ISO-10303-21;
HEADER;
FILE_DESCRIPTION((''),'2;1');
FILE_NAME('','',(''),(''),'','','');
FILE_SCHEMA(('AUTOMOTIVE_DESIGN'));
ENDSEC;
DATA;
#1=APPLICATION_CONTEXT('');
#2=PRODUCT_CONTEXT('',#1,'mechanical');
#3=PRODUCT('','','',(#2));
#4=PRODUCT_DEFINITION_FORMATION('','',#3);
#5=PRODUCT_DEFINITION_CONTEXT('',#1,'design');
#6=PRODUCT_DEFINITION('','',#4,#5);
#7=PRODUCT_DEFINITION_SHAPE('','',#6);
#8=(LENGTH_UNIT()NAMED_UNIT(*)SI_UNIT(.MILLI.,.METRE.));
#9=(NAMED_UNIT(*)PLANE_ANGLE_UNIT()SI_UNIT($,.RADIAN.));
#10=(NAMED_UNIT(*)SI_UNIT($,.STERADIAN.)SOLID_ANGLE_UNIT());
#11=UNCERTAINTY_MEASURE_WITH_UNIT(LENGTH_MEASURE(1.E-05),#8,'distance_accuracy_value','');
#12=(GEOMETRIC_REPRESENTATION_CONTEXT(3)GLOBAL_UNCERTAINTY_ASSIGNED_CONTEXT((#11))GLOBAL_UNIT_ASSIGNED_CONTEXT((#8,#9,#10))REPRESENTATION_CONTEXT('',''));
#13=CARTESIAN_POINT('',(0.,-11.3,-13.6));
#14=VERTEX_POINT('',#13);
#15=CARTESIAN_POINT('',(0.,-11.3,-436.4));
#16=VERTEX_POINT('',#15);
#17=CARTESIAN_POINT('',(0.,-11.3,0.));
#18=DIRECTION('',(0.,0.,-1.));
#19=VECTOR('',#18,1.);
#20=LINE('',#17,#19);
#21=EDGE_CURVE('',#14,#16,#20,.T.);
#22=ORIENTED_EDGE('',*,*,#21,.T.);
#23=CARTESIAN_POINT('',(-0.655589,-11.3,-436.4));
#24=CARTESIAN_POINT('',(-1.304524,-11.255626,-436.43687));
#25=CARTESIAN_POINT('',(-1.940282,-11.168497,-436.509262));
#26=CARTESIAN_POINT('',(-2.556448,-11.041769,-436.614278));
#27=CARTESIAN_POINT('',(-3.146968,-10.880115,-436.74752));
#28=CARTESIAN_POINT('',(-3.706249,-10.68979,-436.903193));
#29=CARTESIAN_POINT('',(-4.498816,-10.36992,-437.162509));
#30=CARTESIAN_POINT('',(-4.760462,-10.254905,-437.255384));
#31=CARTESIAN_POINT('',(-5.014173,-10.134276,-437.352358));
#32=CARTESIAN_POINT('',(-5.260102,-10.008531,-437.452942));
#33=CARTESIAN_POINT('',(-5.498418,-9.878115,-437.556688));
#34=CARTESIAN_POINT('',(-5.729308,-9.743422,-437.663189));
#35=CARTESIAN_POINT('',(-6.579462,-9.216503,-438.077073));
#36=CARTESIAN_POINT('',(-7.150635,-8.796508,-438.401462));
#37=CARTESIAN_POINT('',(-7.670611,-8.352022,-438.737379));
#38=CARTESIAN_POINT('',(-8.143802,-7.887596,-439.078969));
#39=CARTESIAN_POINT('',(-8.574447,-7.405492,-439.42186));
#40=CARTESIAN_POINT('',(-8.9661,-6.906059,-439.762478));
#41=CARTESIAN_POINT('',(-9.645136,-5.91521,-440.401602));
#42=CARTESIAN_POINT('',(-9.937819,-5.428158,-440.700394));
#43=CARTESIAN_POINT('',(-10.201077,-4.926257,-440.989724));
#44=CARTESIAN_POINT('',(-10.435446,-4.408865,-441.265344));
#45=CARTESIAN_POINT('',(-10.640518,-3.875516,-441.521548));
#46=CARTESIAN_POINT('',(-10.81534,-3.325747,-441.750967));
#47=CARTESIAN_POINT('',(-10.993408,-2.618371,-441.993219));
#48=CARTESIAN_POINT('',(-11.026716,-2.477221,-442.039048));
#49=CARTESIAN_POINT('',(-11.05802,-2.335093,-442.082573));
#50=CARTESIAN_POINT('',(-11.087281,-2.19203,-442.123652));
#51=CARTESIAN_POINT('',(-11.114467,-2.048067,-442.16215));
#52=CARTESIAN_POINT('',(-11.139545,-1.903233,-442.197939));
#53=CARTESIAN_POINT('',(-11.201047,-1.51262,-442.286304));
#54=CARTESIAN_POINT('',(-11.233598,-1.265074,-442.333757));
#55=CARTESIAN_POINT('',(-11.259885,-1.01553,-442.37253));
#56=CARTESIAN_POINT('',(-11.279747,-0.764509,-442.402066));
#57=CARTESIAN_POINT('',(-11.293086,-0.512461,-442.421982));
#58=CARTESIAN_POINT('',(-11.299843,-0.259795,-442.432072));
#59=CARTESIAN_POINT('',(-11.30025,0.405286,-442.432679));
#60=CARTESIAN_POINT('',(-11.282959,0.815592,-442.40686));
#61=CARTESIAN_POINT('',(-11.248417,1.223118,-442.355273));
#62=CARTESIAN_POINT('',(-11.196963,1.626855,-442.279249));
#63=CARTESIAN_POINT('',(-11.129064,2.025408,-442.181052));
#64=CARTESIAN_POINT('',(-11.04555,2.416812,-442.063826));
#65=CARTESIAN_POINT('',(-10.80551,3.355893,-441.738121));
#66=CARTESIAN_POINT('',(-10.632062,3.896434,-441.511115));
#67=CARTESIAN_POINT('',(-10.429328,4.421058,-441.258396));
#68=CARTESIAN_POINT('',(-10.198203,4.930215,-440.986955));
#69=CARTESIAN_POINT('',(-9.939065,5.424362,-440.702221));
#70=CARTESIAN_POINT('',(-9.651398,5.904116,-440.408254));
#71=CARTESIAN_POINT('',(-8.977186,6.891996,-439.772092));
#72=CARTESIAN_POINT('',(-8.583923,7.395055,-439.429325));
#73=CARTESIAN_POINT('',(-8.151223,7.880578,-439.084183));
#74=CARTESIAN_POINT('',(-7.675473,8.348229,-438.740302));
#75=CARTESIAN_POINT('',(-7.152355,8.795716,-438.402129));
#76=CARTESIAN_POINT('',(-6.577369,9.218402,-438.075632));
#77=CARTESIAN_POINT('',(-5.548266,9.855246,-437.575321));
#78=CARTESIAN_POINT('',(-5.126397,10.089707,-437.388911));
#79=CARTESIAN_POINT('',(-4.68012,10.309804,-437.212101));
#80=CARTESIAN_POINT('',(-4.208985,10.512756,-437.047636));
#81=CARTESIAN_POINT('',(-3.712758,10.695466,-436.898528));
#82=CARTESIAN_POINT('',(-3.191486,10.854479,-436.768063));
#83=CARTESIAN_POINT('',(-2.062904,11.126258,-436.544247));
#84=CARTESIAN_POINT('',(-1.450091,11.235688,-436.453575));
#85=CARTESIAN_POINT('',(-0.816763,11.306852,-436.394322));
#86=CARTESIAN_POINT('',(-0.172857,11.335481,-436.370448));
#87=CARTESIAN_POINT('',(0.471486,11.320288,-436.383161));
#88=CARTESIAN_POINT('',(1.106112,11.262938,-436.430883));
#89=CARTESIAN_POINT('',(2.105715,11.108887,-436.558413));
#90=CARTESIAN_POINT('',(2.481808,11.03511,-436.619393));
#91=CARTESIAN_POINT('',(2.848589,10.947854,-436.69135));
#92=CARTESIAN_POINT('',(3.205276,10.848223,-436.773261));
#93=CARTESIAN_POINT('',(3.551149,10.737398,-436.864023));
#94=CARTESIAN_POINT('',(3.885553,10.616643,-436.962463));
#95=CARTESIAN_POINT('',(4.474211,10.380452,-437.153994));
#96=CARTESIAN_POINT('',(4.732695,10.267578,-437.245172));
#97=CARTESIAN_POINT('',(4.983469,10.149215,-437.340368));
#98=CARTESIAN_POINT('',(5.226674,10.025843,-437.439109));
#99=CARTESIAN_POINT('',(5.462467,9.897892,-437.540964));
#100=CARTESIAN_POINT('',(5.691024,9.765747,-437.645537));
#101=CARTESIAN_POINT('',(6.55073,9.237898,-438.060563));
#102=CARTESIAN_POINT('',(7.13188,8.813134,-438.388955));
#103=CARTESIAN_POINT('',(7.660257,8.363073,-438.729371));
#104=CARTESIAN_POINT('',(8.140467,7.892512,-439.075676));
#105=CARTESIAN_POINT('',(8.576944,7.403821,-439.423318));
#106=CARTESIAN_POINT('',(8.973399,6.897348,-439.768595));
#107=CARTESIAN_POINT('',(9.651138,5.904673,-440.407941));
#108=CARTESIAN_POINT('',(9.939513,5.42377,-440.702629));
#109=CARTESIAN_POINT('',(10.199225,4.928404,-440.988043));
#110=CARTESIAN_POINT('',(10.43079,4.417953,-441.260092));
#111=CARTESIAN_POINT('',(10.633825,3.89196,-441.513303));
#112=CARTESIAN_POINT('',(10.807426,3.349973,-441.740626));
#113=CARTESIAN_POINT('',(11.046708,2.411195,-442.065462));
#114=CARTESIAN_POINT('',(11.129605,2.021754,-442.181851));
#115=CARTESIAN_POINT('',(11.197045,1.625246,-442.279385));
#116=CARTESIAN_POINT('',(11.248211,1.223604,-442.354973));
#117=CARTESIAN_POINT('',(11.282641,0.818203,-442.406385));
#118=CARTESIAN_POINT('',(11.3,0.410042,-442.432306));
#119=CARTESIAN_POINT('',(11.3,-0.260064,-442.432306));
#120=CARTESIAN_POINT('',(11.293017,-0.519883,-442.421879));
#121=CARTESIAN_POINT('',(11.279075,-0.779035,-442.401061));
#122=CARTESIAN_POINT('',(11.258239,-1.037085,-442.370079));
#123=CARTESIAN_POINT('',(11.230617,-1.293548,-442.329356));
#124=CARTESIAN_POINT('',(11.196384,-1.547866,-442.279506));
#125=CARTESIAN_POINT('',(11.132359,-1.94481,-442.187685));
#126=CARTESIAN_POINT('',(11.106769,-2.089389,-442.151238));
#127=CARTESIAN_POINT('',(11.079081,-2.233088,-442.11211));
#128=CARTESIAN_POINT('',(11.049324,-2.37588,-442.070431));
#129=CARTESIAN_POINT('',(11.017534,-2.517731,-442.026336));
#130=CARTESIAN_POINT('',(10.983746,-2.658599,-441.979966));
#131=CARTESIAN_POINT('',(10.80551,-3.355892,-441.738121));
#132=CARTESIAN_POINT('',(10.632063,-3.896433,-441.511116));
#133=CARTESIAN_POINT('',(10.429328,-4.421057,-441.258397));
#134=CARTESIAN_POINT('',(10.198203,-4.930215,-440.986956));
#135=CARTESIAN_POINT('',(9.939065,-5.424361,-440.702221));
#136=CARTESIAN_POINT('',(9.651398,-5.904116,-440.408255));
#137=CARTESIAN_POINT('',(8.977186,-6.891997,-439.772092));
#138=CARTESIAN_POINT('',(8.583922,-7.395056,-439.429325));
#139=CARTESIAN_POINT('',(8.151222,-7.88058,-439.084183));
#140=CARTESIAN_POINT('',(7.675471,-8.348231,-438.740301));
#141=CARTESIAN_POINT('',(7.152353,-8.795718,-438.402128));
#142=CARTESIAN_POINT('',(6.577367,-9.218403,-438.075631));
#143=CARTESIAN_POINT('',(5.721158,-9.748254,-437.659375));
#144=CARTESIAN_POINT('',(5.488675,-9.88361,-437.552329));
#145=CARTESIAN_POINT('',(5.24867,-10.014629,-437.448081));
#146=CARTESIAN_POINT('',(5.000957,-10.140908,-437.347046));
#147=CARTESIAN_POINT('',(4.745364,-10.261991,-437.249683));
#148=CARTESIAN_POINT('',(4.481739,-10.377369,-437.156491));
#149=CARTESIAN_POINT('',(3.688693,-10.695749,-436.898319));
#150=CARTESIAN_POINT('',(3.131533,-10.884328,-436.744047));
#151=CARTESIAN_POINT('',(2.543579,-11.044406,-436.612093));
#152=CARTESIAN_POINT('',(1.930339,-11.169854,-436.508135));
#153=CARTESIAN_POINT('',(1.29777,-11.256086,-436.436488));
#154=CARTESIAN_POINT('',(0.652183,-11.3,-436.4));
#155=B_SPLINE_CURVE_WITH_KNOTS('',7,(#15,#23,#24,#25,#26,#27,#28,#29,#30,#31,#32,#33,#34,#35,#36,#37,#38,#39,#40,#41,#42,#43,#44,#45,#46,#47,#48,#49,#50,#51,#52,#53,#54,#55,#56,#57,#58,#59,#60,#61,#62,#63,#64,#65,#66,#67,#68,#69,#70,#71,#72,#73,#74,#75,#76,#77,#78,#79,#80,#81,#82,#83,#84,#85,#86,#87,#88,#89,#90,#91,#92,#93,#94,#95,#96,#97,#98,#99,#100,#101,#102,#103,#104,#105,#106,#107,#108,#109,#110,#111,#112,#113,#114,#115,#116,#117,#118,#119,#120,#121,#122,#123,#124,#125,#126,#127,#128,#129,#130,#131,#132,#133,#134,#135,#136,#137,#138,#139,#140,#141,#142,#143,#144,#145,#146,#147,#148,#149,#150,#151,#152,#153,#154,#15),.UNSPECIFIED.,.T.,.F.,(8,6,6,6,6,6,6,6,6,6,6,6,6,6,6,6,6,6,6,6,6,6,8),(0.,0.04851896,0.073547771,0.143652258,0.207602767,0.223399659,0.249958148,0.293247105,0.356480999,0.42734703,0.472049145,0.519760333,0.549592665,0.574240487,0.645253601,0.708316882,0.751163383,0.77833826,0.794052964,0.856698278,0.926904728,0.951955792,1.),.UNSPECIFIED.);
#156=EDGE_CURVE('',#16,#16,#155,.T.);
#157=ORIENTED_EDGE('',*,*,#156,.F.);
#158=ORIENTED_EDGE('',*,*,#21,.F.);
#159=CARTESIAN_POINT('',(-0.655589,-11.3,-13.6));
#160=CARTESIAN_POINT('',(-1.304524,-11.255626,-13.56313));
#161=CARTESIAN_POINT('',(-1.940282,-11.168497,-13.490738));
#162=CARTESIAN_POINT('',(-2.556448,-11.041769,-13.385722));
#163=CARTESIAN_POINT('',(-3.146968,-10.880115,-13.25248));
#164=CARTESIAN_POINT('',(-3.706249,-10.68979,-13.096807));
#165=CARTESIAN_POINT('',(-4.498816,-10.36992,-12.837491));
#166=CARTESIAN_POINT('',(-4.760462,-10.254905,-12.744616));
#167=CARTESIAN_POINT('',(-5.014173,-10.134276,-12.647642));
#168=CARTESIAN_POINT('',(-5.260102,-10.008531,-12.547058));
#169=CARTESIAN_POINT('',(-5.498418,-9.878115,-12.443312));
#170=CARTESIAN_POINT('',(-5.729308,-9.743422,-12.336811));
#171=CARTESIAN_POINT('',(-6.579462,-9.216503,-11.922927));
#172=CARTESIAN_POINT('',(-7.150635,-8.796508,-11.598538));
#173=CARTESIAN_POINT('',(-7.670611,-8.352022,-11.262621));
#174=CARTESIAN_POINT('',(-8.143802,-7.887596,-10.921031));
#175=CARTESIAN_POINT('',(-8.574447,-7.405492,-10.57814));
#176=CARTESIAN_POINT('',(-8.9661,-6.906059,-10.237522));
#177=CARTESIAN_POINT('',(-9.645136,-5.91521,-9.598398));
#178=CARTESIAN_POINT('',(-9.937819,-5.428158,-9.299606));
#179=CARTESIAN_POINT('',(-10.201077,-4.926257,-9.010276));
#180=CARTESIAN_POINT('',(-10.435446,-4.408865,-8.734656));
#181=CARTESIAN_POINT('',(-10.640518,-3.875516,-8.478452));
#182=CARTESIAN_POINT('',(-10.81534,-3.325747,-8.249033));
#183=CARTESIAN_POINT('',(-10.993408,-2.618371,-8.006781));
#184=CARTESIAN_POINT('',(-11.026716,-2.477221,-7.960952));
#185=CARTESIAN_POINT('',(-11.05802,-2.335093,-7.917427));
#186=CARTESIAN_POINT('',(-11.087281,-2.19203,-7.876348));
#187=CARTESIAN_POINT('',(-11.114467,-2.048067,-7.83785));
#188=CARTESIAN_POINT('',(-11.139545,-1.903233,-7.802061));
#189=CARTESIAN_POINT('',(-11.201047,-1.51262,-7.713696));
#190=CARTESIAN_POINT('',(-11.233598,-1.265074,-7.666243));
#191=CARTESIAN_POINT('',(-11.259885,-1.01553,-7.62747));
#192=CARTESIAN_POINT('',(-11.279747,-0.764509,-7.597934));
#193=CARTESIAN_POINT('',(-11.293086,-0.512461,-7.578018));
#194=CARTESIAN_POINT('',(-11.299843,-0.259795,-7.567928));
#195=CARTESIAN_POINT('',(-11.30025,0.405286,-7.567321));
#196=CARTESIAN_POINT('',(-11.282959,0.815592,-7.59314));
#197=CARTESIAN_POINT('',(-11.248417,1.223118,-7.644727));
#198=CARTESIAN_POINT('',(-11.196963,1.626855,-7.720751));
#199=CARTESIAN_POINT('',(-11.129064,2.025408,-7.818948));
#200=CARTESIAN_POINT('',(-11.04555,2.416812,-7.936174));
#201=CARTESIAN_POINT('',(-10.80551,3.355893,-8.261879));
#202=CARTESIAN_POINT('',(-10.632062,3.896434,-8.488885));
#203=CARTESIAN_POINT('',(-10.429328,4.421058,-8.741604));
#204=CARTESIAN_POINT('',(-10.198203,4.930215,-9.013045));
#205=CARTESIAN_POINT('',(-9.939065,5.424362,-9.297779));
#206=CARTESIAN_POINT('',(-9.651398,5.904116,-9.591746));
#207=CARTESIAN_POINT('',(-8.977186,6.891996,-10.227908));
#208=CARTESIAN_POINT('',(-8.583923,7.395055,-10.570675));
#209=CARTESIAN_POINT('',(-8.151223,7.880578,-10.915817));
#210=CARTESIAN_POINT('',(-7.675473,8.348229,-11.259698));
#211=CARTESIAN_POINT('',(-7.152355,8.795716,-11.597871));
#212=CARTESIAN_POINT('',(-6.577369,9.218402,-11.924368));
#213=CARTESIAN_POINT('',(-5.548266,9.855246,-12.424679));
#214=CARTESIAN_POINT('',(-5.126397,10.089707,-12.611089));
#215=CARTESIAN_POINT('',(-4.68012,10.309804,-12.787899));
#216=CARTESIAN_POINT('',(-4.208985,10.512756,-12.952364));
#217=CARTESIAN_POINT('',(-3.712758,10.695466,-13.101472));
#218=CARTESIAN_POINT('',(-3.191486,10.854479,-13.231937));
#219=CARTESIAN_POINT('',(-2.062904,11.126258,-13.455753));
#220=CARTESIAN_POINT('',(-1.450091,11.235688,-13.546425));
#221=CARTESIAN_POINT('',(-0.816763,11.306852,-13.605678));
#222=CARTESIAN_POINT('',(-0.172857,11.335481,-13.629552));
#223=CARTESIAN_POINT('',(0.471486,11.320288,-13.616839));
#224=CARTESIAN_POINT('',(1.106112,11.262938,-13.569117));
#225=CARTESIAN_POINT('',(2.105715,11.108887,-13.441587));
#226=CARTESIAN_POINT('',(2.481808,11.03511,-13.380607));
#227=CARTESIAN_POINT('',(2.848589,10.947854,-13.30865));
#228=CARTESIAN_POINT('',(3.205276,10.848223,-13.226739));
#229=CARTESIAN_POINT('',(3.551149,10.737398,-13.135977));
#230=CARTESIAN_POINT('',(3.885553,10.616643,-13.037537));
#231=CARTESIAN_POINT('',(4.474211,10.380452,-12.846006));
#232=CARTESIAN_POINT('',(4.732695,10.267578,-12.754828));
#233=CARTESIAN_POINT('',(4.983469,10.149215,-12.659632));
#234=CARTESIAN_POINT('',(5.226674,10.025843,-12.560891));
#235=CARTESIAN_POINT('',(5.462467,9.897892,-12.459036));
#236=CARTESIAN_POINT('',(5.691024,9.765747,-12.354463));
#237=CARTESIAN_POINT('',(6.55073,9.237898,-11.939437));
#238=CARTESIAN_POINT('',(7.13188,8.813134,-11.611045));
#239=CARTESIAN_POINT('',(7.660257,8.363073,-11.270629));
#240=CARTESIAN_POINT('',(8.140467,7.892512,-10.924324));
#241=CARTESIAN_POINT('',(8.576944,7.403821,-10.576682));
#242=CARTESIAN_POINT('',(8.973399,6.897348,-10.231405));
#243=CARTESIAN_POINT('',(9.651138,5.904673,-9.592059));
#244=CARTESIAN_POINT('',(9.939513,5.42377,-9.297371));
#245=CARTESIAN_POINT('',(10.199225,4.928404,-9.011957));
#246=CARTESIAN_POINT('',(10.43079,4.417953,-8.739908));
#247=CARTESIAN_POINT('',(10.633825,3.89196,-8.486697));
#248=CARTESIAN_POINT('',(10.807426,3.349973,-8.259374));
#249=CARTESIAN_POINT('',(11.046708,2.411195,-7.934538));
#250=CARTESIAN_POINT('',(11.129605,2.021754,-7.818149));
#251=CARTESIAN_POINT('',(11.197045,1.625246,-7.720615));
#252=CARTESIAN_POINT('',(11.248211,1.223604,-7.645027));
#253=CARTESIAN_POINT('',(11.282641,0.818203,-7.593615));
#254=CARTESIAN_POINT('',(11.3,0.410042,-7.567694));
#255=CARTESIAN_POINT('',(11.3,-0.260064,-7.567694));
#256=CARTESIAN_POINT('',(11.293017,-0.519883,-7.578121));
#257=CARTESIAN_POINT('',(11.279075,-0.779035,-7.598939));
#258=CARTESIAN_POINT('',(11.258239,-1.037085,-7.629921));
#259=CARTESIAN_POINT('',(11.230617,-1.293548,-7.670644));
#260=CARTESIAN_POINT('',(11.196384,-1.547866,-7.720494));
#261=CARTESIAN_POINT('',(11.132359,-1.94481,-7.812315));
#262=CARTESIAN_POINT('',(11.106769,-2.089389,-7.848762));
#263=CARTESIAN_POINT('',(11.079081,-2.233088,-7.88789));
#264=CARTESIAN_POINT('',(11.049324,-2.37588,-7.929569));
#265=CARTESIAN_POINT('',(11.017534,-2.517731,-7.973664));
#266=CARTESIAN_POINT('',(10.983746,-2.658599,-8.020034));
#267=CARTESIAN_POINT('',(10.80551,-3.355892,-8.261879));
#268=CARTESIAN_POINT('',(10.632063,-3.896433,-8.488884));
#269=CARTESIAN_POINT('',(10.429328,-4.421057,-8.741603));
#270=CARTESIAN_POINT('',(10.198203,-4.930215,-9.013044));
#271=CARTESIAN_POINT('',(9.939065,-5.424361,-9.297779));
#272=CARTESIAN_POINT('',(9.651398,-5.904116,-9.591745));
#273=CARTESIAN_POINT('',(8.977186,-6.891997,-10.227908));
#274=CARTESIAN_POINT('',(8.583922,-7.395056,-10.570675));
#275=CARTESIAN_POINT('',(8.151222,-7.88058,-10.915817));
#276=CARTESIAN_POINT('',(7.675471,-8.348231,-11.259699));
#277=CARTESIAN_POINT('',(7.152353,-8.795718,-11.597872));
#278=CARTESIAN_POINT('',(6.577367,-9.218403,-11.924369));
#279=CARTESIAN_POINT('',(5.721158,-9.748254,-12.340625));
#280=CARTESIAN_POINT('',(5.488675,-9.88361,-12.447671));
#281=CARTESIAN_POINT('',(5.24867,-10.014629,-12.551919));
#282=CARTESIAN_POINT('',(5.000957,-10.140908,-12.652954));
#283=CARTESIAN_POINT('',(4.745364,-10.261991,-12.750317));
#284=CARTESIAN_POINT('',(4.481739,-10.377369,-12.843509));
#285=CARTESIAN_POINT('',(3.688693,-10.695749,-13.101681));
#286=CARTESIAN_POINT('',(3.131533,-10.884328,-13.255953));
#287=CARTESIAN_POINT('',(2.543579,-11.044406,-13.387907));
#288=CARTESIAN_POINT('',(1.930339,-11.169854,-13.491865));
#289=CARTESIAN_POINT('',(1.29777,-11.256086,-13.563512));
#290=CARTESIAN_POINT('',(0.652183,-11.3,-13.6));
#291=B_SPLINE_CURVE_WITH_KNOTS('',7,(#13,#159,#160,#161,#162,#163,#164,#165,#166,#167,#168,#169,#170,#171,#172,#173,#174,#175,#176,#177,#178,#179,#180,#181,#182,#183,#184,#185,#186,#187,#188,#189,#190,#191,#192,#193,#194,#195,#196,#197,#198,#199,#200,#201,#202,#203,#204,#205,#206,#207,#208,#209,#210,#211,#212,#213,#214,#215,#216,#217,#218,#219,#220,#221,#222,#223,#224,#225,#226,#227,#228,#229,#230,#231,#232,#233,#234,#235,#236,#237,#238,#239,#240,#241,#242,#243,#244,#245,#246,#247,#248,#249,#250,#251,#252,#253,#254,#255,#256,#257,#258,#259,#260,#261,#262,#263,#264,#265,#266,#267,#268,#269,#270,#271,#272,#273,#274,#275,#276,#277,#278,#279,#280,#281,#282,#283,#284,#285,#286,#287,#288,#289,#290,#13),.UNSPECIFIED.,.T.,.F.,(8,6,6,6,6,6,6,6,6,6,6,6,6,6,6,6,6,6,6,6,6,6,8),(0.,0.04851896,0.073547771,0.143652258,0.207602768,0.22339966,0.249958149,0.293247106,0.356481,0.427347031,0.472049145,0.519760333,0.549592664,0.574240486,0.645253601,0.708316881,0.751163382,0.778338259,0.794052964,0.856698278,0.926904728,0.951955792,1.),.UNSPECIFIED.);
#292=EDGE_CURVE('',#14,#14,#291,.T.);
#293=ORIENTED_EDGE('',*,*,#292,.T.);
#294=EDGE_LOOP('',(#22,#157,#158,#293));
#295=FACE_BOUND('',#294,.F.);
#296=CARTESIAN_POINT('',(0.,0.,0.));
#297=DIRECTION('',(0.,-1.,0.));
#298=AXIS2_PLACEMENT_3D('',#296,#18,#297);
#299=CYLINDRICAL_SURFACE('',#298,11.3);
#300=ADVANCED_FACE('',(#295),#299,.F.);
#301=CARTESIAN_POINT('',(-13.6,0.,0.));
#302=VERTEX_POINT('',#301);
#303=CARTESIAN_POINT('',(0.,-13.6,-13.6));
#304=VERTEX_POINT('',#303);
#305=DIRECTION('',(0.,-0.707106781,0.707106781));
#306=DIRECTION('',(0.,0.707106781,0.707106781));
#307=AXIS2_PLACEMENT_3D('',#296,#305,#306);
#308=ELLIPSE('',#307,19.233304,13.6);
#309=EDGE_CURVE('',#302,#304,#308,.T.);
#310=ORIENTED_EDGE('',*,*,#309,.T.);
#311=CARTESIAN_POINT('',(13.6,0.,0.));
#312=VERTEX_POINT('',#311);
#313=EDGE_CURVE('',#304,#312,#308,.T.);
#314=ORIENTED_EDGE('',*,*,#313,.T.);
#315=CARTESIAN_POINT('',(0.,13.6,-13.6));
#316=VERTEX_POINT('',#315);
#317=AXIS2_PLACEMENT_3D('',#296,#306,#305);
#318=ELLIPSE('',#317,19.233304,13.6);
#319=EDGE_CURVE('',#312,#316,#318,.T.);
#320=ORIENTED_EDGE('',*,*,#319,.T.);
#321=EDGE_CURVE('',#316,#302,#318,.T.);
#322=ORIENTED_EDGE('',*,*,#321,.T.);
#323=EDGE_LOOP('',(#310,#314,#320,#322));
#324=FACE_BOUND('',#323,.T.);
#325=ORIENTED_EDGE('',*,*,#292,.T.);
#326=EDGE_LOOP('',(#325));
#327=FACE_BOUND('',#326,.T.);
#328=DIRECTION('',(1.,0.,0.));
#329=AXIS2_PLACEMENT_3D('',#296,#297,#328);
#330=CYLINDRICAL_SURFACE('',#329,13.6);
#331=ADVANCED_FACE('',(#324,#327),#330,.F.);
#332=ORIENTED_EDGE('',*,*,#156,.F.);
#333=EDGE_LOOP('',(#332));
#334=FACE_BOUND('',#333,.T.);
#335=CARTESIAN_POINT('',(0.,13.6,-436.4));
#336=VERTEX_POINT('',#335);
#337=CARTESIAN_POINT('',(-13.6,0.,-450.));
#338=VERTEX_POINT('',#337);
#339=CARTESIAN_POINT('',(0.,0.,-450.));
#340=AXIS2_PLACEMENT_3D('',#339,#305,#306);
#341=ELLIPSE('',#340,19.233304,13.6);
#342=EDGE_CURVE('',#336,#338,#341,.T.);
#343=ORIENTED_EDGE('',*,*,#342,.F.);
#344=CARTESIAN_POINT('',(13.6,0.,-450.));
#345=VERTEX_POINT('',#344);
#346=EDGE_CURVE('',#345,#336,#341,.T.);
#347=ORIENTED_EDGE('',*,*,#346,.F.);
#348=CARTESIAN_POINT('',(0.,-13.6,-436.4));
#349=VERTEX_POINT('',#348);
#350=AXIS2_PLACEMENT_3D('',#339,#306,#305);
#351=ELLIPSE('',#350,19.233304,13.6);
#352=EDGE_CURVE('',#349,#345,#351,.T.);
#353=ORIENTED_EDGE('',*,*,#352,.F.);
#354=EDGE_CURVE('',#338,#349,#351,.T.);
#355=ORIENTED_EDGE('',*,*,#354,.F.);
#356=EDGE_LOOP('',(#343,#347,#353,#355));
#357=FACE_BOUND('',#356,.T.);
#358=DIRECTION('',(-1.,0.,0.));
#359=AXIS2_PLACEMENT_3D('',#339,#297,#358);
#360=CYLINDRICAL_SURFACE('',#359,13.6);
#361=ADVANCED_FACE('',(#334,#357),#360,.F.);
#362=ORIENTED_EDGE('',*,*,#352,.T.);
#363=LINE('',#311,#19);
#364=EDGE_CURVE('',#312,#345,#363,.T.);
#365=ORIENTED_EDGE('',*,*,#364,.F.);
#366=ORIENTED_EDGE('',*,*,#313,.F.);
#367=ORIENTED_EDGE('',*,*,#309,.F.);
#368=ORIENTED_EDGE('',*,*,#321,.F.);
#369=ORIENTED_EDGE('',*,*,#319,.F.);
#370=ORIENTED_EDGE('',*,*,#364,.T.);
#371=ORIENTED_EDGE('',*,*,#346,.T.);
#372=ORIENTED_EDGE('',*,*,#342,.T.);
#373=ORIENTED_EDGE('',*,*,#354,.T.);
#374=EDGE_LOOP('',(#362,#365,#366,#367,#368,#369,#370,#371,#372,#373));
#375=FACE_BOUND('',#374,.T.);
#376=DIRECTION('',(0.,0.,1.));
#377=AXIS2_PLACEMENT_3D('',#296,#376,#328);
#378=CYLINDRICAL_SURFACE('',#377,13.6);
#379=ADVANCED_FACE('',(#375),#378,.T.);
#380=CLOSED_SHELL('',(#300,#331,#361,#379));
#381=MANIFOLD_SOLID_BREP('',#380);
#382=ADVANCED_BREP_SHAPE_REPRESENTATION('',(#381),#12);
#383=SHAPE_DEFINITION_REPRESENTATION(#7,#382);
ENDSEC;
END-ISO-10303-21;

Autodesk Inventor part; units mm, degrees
ref_plane "YZ Plane" through (0, 0, 0) normal (1, 0, 0) x (0, 1, 0)
ref_plane "XY Plane" through (0, 0, 0) normal (0, 0, 1) x (1, 0, 0)
sketch "スケッチ1" plane through (0, 0, 0) normal (0, 0, 1) x (1, 0, 0)
  circle A0 centre (0, 0) radius 13.6
  dimension "d0" = 27.2
extrude "押し出し1" add sketch "スケッチ1" against normal blind 450
sketch "スケッチ3" plane through (0, 0, 0) normal (0, 0, 1) x (1, 0, 0)
  circle A0 centre (0, 0) radius 13.6 projected
hole "穴1" at (0, 0, 0) direction (0, 0, -1) diameter 22.6 end through all
ref_plane "作業平面1" through (0, 0, 0) normal (0, 1, 0) x (-1, 0, 0)
sketch "スケッチ4" plane through (0, 0, 0) normal (0, 1, 0) x (-1, 0, 0)
  line L0 (-13.6, 0) -> (13.6, 0) projected
  arc A0 (-13.6, 0) -> (13.6, 0) centre (0, 0) ccw
  line L1 (13.6, 0) -> (-13.6, 0)
extrude "押し出し3" cut sketch "スケッチ4" along normal mid plane 27.2
sketch "スケッチ5" plane through (0, 0, 0) normal (0, 1, 0) x (-1, 0, 0)
  line L0 (-13.6, -450) -> (13.6, -450) projected
  arc A0 (13.6, -450) -> (-13.6, -450) centre (0, -450) ccw
  line L1 (-13.6, -450) -> (13.6, -450)
  point P0 (0, 0)
extrude "押し出し4" cut sketch "スケッチ5" along normal mid plane 27.2
properties part number "縦のパイプ"
